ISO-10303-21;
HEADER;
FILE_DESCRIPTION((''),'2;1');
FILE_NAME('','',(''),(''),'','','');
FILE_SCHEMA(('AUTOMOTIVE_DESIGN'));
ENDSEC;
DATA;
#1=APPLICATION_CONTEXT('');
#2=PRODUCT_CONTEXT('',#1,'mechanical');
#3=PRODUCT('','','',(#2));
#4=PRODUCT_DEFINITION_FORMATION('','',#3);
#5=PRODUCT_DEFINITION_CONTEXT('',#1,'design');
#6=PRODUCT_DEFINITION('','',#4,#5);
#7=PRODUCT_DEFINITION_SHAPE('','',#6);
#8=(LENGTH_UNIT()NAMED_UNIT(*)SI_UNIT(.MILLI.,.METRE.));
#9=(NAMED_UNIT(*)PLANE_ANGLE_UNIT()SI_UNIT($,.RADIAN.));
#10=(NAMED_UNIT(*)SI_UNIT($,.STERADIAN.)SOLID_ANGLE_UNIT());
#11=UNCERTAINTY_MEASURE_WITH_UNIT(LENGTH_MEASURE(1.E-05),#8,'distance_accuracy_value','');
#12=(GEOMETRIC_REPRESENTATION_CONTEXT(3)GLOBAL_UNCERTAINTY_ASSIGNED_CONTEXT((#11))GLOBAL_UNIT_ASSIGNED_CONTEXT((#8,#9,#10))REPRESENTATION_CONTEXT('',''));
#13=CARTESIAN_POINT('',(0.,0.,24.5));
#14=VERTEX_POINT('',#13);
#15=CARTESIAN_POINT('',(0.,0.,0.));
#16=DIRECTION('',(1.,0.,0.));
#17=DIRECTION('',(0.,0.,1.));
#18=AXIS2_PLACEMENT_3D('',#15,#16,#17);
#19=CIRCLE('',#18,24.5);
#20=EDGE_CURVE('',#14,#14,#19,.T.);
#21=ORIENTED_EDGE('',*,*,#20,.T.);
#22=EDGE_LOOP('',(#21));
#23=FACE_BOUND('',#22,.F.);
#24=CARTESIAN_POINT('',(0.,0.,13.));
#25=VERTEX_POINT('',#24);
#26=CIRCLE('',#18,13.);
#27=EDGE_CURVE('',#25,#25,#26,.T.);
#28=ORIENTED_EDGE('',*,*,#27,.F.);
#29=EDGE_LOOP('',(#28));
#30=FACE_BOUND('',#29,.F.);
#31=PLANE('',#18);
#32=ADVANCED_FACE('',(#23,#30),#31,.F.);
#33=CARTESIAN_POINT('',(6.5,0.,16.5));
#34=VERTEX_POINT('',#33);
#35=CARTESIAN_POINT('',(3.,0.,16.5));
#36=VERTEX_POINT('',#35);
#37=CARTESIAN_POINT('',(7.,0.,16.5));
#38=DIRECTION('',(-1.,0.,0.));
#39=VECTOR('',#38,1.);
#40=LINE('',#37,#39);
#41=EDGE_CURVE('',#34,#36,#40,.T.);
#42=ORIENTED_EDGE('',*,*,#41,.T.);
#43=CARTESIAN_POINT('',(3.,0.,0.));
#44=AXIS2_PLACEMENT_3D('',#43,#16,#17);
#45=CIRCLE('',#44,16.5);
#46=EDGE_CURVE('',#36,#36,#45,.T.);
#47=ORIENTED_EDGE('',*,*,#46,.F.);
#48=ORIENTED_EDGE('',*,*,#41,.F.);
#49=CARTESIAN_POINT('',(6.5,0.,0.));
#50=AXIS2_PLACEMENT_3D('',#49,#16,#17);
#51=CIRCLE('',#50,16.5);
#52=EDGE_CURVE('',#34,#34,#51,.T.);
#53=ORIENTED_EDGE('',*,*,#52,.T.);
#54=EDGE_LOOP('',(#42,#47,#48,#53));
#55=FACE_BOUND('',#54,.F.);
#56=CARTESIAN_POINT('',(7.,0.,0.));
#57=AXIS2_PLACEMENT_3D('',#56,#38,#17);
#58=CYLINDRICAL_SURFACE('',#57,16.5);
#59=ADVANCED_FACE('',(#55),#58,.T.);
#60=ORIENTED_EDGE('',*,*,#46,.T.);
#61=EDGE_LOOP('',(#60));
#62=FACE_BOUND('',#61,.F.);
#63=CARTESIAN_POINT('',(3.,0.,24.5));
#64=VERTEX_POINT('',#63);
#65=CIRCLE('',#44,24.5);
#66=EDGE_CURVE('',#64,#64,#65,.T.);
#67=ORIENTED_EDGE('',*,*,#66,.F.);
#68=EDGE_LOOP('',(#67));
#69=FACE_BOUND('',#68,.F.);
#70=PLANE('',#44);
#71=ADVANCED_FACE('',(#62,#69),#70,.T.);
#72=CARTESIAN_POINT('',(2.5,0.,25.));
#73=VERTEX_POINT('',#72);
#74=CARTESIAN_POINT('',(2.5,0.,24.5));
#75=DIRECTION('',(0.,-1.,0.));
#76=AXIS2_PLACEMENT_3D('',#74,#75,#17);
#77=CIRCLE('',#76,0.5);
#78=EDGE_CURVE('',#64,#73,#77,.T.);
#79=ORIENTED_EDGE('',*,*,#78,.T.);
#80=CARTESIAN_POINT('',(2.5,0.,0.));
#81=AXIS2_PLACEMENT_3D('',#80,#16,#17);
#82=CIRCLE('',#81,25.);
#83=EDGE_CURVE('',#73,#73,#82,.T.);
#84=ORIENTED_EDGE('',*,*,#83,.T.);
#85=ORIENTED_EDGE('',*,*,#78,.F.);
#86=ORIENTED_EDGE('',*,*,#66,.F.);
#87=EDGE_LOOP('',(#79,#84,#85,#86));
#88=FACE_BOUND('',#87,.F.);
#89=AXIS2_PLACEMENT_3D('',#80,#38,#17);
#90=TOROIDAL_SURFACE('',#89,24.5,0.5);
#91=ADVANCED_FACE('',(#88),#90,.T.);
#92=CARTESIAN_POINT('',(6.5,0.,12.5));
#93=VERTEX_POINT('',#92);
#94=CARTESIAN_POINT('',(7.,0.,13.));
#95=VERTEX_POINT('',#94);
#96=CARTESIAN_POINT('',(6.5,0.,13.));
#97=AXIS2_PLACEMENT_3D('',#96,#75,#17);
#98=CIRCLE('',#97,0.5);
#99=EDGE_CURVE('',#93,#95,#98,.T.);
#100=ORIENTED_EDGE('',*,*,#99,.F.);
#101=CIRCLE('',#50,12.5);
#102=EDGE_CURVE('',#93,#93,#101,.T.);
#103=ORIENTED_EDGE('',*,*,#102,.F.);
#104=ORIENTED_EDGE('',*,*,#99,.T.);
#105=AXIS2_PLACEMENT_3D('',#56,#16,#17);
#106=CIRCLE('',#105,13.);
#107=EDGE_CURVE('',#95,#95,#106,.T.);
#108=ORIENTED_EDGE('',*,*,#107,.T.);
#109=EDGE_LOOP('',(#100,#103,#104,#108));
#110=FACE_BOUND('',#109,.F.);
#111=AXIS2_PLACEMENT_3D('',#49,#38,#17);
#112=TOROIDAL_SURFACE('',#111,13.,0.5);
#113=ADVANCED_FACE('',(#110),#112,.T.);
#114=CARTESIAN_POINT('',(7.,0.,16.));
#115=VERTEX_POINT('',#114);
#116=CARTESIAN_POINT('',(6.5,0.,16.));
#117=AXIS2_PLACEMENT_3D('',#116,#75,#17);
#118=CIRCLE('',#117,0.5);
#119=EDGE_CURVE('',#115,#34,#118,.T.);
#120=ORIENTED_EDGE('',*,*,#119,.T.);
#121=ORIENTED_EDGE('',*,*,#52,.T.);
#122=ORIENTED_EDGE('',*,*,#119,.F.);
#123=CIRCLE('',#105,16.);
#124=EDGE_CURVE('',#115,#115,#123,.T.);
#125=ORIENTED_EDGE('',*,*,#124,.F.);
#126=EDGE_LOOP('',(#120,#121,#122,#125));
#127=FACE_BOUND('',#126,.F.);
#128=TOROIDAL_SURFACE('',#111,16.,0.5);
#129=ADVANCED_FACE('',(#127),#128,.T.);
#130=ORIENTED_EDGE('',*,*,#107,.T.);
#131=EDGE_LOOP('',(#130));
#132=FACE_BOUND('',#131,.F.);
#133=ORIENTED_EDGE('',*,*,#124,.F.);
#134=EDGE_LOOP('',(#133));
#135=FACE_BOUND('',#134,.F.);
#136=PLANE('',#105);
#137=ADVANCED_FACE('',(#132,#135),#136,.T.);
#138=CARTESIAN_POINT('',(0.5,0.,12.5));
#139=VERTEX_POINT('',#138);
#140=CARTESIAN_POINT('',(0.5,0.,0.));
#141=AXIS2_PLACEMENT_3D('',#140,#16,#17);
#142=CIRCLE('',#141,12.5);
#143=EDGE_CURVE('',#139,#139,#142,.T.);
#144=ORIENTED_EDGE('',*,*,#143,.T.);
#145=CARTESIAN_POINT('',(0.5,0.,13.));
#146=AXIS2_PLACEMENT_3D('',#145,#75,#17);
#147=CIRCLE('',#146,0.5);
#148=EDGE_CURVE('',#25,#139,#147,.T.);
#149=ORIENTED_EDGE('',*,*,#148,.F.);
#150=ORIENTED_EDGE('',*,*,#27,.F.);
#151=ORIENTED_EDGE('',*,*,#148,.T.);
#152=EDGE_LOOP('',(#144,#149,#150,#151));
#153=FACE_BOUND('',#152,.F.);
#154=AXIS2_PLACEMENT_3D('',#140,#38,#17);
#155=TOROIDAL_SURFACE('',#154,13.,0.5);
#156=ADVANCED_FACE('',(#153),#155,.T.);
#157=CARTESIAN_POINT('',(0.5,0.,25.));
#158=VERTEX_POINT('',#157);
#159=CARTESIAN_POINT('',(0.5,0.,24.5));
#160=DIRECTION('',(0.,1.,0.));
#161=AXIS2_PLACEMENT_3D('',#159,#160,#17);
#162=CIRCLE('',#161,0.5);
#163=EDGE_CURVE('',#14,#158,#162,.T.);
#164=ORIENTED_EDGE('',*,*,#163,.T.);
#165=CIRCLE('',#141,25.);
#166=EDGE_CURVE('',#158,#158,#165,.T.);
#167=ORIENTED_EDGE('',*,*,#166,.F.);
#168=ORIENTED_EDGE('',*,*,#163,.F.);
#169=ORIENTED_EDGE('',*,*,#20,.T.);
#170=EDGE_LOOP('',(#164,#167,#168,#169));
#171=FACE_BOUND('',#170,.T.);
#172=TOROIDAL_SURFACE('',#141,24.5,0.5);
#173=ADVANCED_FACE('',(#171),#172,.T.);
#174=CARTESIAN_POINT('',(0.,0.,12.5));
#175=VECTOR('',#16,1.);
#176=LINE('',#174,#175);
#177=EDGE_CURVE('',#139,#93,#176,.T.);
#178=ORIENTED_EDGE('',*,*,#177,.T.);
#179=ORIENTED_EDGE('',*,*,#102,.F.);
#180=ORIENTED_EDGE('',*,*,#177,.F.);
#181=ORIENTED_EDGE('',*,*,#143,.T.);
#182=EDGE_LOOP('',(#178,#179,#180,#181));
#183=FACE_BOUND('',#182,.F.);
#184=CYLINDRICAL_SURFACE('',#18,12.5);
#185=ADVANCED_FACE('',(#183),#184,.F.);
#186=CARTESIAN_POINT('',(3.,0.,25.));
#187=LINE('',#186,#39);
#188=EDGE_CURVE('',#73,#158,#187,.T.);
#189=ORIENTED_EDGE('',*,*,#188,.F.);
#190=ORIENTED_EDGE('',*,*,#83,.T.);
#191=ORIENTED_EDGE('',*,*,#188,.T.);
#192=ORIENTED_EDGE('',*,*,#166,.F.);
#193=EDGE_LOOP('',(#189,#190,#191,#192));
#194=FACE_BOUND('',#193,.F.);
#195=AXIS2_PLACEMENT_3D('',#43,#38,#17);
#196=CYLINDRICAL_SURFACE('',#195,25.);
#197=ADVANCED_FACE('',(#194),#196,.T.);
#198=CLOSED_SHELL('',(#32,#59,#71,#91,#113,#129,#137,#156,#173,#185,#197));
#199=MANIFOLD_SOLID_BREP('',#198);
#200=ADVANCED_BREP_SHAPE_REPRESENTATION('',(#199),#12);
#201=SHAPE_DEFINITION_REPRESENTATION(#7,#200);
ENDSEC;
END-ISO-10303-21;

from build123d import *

# Parameters (mm, degrees)
F2_R = 0.5


with BuildPart() as f1:
    # F0 (on Front) → F1 (revolve)
    with BuildSketch(Plane.XZ):
        Polygon((0, 25), (0, 12.5), (7, 12.5), (7, 16.5), (3, 16.5), (3, 25), align=None)
    revolve(axis=Axis((-1.722148, 0, 0), (1, 0, 0)))

    # F2
    f2_edges = [f1.edges().sort_by_distance(p)[0] for p in [
        (0, 0, -25),
        (3, 0, -25),
        (7, 0, -16.5),
        (7, 0, -12.5),
        (0, 0, -12.5),
    ]]
    fillet(f2_edges, radius=F2_R)


solid = f1.part
